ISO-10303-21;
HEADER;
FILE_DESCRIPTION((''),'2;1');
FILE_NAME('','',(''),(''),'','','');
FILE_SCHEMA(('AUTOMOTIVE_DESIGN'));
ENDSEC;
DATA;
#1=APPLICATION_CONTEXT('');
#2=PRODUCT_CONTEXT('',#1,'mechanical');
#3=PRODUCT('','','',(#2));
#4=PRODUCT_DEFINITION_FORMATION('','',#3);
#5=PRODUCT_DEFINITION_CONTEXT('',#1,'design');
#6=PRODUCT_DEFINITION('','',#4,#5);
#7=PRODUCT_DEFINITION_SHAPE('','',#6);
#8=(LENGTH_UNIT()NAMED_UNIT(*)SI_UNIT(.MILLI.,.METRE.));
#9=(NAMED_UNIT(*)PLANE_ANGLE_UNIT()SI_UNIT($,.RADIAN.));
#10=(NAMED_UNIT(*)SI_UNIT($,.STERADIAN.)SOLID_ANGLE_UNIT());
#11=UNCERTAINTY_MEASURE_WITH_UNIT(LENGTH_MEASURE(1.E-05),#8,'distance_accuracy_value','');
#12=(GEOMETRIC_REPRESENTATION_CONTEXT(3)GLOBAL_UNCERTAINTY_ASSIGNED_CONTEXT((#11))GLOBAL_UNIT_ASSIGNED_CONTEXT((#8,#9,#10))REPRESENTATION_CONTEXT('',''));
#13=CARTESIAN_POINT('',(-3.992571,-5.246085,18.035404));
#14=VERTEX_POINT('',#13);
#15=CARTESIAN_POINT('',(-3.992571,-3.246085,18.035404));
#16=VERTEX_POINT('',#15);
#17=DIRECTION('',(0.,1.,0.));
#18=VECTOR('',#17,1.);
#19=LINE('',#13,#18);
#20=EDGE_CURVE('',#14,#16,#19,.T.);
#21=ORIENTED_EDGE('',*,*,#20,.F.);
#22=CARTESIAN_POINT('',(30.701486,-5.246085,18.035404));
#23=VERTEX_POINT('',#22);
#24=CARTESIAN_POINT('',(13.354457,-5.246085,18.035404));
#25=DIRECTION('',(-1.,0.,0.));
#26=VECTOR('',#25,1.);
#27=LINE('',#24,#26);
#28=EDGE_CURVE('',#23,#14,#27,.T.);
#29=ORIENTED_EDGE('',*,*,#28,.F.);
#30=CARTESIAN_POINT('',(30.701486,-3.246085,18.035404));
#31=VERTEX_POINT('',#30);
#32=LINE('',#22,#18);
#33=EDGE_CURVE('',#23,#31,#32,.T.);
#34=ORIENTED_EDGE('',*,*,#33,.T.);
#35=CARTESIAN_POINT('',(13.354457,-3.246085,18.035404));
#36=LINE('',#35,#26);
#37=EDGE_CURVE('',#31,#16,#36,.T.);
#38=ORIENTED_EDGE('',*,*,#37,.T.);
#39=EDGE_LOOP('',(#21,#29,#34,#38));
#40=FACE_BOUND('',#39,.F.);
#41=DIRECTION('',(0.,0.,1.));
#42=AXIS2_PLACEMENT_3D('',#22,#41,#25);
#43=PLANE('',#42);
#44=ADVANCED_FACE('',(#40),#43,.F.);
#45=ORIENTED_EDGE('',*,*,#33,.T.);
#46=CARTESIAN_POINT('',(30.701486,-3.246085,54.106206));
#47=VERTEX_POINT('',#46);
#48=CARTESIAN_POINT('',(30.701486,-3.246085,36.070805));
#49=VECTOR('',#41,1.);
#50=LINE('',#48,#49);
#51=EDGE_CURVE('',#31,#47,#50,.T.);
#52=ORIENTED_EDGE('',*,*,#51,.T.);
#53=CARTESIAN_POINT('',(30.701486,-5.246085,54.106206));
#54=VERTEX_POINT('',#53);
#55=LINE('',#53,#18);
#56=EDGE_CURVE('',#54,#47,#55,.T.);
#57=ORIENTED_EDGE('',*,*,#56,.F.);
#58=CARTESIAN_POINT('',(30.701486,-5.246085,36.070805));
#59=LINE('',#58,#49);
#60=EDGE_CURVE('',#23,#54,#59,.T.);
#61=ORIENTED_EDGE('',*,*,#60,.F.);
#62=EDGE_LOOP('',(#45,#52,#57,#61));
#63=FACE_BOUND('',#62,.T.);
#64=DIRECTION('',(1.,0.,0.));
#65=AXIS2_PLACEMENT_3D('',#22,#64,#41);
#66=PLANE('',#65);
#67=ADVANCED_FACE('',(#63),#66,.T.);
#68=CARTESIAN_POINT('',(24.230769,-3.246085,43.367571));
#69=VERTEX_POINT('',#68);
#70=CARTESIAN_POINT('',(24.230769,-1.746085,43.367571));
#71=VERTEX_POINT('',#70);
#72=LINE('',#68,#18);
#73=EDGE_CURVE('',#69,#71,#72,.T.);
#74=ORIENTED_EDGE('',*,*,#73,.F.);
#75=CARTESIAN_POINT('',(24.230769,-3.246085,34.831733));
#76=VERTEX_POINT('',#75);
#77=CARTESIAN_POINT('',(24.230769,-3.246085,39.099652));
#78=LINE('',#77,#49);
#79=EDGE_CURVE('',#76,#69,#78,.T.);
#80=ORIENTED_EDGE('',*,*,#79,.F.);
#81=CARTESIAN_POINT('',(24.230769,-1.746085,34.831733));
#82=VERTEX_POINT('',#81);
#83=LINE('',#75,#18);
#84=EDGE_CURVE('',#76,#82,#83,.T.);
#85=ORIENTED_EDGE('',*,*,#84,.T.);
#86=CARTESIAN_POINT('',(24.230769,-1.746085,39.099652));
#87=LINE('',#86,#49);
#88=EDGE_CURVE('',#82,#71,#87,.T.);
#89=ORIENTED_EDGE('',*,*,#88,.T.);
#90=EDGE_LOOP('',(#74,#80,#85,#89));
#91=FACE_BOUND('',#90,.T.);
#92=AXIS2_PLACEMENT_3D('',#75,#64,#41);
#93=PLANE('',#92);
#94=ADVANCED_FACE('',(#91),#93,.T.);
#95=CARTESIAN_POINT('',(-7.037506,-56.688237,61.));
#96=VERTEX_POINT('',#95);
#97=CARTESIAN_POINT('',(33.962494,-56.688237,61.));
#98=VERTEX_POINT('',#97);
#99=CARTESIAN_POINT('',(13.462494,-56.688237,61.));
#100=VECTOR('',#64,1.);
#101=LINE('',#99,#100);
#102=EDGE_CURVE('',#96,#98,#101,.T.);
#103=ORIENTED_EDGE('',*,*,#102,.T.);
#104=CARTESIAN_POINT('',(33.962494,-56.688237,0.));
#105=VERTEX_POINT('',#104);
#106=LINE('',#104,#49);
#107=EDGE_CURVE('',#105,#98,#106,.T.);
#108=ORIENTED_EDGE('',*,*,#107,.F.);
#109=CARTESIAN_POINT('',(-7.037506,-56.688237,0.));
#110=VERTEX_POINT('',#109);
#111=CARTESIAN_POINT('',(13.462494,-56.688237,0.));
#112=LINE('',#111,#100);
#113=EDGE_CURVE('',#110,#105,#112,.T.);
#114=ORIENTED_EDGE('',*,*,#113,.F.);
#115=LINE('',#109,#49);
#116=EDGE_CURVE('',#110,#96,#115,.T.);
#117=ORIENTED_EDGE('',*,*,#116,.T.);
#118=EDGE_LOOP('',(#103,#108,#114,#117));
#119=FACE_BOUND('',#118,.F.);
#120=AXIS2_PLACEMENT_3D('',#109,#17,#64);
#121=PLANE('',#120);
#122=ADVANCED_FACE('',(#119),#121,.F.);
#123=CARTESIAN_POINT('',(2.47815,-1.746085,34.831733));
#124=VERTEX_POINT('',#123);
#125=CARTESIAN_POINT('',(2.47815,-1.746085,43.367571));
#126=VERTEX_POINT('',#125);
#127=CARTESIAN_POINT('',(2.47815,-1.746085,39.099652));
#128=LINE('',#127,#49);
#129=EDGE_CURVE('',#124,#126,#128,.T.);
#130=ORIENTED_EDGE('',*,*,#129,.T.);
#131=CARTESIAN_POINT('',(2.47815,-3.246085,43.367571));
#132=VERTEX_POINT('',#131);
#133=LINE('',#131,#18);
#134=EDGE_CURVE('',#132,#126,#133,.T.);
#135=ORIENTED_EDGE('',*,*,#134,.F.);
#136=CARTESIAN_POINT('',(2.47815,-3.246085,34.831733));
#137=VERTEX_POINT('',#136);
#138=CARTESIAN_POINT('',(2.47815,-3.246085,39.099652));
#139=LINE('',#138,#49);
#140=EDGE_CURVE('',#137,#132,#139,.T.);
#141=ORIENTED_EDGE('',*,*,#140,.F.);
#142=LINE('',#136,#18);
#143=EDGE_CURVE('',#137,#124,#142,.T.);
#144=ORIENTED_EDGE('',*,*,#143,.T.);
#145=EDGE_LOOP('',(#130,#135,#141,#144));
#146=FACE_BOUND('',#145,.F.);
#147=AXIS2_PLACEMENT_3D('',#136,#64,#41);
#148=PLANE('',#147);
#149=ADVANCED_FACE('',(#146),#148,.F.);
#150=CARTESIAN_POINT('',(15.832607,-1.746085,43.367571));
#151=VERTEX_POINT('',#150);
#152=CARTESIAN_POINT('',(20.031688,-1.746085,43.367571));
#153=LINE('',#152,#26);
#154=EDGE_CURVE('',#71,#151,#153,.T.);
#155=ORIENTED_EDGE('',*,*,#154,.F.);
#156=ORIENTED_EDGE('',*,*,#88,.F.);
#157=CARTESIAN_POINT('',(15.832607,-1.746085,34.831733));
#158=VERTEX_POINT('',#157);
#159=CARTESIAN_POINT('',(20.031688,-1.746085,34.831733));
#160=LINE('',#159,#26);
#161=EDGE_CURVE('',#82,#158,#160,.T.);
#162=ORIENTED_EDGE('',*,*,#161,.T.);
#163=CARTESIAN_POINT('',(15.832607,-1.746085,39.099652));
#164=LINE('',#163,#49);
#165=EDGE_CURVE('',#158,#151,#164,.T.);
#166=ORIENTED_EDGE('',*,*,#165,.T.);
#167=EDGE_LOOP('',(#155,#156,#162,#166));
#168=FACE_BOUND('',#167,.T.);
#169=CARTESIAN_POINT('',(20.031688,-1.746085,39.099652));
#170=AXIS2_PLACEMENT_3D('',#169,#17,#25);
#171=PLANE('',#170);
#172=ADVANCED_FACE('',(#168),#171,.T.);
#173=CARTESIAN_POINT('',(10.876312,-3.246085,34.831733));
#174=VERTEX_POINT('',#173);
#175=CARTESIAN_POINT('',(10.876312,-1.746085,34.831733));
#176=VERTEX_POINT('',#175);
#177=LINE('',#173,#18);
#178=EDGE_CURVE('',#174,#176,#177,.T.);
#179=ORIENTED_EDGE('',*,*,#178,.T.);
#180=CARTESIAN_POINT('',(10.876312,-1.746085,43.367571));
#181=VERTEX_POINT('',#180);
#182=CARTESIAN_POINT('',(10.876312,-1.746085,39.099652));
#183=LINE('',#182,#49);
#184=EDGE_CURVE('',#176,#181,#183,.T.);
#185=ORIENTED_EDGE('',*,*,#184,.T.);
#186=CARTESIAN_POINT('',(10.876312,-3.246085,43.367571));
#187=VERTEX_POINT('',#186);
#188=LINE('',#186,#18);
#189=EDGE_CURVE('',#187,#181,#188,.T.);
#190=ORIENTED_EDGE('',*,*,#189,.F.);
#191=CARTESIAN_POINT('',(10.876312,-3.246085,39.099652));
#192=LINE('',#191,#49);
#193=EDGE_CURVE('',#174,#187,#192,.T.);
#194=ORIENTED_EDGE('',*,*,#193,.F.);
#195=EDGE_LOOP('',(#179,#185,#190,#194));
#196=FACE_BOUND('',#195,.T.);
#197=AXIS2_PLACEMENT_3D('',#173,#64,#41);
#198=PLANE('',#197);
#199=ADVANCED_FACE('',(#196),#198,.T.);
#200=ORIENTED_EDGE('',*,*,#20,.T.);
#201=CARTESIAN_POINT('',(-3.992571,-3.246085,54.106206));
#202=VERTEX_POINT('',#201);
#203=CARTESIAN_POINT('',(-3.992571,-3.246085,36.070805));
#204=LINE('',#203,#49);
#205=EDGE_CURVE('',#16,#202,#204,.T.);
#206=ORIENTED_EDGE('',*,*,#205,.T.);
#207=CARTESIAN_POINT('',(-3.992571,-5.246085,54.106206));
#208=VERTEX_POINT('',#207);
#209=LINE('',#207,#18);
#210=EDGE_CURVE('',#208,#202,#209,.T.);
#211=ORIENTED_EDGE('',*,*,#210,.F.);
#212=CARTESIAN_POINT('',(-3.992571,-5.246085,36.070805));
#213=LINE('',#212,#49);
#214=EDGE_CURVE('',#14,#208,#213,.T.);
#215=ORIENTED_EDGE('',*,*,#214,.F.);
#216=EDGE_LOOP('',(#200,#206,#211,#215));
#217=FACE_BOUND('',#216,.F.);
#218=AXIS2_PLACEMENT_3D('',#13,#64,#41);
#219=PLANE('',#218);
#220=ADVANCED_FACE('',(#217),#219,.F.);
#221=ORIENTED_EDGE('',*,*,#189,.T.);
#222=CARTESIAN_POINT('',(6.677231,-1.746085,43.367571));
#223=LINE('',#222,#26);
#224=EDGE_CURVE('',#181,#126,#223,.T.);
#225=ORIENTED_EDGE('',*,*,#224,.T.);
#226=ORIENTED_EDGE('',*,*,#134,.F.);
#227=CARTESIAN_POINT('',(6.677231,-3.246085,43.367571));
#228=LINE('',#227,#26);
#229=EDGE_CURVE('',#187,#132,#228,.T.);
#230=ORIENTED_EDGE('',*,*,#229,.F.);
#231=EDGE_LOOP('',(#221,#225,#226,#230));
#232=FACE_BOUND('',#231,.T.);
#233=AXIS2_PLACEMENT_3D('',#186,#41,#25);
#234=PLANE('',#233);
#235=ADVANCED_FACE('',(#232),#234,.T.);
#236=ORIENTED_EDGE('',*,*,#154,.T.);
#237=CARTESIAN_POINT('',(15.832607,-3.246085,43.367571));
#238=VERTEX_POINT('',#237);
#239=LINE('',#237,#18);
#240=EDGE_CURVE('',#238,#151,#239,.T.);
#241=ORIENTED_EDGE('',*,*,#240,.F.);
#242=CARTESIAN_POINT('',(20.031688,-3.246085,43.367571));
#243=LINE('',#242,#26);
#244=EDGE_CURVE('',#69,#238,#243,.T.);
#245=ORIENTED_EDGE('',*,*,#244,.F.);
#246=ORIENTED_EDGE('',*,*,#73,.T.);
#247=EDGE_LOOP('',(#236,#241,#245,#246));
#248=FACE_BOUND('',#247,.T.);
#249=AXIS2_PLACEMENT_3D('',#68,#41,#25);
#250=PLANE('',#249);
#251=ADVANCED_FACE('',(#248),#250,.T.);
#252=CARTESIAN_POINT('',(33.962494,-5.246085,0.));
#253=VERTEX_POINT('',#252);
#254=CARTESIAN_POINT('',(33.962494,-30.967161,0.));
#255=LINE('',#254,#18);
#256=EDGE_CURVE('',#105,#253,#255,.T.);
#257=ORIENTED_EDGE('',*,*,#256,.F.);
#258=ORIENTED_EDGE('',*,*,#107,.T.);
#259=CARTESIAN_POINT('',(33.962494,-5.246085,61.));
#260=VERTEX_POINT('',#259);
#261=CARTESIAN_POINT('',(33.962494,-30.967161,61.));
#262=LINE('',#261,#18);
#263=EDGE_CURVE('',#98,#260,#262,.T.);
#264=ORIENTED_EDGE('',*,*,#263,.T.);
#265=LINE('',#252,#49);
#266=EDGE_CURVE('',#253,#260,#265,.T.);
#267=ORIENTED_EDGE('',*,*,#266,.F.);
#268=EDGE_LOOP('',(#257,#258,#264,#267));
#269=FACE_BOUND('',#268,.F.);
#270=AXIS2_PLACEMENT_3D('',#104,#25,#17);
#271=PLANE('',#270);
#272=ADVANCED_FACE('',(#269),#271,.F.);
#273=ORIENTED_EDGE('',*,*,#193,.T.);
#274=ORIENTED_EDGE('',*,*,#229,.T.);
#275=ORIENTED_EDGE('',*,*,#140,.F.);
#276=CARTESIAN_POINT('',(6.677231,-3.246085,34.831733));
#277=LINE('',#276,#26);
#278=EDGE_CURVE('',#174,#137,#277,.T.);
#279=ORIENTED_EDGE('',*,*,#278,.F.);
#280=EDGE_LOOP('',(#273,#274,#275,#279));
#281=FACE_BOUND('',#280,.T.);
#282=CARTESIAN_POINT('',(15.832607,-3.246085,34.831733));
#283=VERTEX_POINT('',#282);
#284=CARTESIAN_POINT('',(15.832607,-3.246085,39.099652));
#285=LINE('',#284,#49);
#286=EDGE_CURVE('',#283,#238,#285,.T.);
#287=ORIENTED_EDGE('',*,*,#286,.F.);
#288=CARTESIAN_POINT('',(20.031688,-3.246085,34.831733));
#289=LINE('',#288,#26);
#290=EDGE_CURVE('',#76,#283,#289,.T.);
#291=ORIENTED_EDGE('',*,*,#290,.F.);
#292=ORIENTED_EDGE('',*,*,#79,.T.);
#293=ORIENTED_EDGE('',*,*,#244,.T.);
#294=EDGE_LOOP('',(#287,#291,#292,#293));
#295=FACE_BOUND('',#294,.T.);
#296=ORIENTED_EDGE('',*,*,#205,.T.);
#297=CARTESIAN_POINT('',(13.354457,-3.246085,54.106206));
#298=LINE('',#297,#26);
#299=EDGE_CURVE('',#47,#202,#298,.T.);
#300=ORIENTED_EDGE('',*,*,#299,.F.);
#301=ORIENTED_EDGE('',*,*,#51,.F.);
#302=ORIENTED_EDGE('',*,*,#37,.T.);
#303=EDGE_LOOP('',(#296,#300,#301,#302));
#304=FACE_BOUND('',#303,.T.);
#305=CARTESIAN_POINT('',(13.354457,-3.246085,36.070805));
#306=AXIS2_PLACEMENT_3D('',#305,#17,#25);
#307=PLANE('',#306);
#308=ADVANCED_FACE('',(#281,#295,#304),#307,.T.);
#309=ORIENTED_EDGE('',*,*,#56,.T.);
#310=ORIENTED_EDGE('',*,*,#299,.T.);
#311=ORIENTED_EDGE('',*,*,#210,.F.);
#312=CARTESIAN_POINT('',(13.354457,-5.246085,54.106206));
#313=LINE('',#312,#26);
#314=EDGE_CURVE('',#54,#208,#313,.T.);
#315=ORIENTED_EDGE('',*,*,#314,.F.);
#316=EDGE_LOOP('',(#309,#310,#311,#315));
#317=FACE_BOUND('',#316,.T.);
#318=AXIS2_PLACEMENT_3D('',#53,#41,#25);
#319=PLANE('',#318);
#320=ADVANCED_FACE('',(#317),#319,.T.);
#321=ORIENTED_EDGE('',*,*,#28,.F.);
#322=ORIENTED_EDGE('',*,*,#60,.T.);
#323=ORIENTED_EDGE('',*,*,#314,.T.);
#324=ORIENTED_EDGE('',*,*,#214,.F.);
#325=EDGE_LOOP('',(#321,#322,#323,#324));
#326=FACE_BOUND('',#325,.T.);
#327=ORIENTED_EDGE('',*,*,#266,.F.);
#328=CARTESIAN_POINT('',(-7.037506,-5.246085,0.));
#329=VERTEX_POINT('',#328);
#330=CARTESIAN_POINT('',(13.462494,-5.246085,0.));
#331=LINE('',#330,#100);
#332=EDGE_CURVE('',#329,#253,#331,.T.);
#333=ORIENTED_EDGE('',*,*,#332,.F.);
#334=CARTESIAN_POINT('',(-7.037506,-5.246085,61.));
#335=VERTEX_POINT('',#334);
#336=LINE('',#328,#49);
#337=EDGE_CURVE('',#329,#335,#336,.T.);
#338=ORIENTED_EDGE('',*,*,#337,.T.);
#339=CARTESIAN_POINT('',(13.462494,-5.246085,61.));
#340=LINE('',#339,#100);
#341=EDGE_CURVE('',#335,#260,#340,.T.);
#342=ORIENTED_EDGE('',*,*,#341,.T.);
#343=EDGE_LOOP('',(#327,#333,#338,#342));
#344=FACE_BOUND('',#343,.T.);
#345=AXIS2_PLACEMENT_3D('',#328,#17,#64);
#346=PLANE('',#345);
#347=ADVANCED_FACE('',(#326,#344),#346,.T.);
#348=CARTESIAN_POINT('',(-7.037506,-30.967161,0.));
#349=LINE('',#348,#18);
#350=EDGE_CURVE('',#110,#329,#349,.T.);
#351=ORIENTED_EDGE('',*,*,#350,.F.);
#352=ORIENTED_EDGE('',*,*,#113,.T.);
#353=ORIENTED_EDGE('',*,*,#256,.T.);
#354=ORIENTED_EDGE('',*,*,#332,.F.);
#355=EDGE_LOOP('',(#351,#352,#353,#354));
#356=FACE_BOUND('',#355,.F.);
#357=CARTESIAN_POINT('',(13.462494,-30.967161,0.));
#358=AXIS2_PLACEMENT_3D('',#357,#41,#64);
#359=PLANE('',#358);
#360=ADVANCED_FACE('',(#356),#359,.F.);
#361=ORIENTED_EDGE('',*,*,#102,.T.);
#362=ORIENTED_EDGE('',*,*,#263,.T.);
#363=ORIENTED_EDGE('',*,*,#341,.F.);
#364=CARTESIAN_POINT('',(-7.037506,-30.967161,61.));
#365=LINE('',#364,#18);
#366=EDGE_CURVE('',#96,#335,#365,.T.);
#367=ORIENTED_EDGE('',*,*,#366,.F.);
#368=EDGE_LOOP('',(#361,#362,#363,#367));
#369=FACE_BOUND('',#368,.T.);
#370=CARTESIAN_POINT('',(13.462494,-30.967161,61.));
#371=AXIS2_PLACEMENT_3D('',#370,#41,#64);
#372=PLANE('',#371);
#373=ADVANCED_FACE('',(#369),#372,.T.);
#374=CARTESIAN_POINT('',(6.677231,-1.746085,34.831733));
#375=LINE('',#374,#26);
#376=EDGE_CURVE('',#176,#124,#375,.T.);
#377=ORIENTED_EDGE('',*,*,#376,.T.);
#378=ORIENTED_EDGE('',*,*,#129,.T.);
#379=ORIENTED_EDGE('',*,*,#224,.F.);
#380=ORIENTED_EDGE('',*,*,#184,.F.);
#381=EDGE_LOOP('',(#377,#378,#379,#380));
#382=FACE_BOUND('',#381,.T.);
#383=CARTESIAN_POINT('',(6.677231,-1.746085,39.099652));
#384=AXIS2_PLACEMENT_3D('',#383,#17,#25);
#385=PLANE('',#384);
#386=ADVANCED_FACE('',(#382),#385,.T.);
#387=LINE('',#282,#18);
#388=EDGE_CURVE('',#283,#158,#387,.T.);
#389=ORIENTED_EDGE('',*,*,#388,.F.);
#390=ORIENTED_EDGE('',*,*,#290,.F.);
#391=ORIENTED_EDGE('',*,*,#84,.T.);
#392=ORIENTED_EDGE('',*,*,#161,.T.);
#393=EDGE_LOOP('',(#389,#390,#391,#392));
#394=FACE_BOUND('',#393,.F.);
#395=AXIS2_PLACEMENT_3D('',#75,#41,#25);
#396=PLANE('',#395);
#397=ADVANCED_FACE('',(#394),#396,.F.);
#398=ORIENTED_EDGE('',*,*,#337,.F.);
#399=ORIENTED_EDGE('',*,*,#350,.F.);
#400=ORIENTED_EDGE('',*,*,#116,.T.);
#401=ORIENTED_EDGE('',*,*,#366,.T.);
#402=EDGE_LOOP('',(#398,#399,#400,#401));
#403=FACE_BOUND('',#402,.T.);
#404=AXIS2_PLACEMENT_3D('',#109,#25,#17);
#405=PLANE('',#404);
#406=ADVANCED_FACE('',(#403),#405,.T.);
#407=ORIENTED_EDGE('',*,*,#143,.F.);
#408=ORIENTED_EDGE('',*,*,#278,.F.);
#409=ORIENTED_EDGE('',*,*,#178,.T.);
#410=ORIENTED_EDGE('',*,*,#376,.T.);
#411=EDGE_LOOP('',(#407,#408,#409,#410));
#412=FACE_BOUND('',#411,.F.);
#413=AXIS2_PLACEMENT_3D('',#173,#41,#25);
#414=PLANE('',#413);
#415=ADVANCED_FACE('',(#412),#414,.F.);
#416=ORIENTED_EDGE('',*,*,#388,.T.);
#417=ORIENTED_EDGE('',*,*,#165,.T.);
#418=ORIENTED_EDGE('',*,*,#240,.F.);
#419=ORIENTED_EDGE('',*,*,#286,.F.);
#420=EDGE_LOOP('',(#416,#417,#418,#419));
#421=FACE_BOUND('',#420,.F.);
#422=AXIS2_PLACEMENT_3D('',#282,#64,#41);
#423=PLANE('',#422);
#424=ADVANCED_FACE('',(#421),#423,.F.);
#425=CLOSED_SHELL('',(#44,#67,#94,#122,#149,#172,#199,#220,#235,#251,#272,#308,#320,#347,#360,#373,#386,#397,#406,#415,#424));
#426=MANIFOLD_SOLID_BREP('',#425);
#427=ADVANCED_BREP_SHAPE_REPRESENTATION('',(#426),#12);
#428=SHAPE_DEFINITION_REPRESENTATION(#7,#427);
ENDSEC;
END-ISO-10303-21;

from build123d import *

# Parameters (mm, degrees)
F0_W     = 41
F0_H     = 51.442152
F1_DEPTH = 61
F2_W     = 34.694057
F2_H     = 36.070803
F3_DEPTH = 2
F4_W     = 8.398162
F4_H     = 8.535839
F5_DEPTH = 1.5


with BuildPart() as f1:
    # F0 (on Top) → F1 (new body)
    with BuildSketch(Plane.XY):
        with Locations((13.462494, -30.967161)):
            Rectangle(F0_W, F0_H)
    extrude(amount=F1_DEPTH)

    # F2 (on face) → F3 (join)
    with BuildSketch(Plane(origin=(0, -5.246085, 0), x_dir=(-1, 0, 0), z_dir=(0, 1, 0))):
        with Locations((-13.354457, 36.070805)):
            Rectangle(F2_W, F2_H)
    extrude(amount=F3_DEPTH)

    # F4 (on face) → F5 (join)
    with BuildSketch(Plane(origin=(0, -3.246085, 0), x_dir=(-1, 0, 0), z_dir=(0, 1, 0))):
        with Locations((-20.031688, 39.099652)):
            Rectangle(F4_W, F4_H)
        with Locations((-6.677231, 39.099652)):
            Rectangle(F4_W, F4_H)
    extrude(amount=F5_DEPTH)


solid = f1.part
